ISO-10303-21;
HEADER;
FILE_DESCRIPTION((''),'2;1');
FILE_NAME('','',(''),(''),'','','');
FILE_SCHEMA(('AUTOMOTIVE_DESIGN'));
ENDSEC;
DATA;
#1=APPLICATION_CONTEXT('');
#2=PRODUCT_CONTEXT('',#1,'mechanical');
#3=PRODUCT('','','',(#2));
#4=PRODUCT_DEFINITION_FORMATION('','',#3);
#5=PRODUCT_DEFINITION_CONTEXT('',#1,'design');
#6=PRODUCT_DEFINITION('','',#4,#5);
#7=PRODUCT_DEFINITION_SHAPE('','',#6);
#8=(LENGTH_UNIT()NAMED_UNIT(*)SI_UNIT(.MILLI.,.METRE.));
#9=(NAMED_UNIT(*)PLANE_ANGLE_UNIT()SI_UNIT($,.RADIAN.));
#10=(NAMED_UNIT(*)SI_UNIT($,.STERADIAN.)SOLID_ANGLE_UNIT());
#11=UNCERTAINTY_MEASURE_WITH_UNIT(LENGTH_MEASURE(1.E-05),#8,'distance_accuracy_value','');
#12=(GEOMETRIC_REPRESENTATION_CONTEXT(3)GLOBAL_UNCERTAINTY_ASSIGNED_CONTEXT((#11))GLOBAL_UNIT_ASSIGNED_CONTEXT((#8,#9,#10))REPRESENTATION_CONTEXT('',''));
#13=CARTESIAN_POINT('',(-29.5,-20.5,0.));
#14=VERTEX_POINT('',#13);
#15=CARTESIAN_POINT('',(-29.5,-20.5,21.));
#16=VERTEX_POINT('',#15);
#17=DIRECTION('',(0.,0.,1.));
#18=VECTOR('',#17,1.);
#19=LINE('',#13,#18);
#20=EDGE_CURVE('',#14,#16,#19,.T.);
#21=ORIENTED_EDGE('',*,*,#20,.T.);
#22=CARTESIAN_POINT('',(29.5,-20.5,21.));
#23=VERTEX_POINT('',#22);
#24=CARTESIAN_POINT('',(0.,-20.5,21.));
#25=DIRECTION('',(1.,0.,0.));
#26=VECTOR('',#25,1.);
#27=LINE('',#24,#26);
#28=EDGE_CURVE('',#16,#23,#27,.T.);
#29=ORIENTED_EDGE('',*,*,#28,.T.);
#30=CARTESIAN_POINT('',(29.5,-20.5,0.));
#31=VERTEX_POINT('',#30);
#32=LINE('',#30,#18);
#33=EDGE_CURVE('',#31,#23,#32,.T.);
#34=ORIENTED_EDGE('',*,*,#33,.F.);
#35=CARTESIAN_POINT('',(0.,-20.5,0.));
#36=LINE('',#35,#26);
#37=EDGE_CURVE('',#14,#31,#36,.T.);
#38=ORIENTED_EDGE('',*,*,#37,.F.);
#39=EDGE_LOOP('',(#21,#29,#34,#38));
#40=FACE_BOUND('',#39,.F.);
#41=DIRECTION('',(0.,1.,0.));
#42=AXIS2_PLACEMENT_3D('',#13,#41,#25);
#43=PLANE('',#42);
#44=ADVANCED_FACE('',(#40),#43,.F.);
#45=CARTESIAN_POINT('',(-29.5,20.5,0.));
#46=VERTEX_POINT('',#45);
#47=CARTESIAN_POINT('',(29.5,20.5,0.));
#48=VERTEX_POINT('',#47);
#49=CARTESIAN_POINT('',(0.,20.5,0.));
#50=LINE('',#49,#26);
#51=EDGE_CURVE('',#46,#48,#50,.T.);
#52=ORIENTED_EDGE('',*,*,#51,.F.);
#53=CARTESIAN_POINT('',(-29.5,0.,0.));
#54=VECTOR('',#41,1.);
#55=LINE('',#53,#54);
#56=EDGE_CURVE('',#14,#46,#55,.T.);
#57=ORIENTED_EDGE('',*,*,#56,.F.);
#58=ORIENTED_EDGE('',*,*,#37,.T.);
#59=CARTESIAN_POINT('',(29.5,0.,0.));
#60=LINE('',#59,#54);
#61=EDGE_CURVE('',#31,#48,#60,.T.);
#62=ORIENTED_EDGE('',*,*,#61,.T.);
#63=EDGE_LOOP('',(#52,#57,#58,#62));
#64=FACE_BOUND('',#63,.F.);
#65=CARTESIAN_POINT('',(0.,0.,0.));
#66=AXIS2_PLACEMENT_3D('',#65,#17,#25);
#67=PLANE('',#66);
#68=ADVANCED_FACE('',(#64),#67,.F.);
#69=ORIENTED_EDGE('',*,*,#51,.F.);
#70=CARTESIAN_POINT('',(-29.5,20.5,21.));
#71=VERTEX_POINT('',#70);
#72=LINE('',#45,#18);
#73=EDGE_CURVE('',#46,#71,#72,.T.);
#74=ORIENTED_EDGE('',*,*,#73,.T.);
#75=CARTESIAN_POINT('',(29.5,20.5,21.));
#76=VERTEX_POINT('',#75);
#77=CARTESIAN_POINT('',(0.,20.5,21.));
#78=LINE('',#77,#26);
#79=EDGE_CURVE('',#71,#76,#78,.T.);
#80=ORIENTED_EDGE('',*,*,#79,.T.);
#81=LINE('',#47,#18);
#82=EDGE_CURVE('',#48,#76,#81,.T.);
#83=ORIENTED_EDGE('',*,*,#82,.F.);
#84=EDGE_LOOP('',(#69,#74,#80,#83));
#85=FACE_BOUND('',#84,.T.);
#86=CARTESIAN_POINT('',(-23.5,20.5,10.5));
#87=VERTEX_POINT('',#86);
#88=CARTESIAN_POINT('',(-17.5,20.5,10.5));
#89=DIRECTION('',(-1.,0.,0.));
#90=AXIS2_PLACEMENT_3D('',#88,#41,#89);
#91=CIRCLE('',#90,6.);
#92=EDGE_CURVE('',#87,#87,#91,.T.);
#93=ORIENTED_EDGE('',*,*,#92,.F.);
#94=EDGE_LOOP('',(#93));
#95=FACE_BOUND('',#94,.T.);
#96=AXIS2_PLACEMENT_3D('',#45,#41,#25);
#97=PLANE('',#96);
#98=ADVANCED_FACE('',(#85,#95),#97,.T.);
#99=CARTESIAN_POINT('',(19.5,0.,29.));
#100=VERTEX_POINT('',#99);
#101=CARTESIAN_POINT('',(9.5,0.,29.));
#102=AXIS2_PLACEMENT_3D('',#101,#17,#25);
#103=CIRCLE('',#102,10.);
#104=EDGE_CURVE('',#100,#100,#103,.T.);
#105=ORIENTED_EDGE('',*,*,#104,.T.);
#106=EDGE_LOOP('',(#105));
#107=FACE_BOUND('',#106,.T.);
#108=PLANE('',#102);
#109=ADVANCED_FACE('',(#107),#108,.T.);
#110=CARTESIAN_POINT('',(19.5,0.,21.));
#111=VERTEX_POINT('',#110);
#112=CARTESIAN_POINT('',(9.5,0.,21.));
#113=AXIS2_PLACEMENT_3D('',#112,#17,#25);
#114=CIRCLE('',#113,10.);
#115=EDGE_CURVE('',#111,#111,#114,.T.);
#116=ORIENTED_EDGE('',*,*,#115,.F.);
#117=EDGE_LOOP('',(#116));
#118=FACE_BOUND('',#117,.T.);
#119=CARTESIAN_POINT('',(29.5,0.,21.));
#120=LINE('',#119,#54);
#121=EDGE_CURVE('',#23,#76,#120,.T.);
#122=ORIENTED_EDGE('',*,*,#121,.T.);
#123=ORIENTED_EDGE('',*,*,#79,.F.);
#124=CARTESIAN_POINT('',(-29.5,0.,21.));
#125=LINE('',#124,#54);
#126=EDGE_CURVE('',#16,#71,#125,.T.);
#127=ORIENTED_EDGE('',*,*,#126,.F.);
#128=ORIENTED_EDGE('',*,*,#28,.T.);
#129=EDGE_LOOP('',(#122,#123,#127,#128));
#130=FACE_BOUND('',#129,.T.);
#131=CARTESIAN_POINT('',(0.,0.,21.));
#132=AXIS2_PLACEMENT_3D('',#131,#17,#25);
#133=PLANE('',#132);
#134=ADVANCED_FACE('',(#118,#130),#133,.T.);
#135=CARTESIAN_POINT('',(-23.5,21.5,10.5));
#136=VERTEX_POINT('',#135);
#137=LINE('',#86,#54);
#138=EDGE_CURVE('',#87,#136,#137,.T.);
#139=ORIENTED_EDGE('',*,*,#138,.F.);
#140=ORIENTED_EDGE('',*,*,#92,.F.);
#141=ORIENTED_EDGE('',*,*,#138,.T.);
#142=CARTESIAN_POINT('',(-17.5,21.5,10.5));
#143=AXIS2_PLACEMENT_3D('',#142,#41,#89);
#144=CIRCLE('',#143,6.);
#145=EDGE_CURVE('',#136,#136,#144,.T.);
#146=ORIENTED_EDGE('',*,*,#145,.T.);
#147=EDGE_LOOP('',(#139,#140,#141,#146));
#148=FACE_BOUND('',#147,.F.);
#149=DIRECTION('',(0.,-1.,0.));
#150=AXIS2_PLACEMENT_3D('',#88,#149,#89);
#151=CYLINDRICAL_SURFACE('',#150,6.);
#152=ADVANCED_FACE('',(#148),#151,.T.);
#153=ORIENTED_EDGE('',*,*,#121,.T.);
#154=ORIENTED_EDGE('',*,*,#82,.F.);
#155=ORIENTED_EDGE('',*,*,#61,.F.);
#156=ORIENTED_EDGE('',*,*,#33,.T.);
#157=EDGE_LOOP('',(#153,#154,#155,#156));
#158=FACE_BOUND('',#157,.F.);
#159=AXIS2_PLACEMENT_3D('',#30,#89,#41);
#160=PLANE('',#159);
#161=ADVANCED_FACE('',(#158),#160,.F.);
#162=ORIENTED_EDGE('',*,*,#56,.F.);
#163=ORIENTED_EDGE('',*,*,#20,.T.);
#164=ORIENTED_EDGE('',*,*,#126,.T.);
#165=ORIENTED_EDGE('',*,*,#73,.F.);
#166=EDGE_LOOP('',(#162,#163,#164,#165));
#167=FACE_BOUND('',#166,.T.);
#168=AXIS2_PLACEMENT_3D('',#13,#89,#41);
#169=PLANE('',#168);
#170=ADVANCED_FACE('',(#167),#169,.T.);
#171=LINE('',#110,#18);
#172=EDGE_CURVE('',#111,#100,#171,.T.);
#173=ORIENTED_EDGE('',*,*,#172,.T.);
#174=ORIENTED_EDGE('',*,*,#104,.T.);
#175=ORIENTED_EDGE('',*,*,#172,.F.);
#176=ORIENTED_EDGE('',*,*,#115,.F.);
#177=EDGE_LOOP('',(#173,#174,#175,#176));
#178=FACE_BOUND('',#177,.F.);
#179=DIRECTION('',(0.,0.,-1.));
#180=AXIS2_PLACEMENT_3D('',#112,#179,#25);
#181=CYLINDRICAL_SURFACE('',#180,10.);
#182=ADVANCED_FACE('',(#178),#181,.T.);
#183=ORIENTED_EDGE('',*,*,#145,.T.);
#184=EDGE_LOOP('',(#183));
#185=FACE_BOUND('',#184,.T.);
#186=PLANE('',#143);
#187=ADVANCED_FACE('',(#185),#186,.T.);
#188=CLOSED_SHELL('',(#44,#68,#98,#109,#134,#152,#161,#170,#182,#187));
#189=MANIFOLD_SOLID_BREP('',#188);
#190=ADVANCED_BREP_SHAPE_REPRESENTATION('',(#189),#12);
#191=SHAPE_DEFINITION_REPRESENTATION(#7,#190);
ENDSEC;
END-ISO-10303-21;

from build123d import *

# Parameters (mm, degrees)
F0_W     = 59
F0_H     = 41
F1_DEPTH = 21
F2_R     = 10
F3_DEPTH = 8
F4_R     = 6
F5_DEPTH = 1


with BuildPart() as f1:
    # F0 (on Top) → F1 (new body)
    with BuildSketch(Plane.XY):
        Rectangle(F0_W, F0_H)
    extrude(amount=F1_DEPTH)

    # F2 (on face) → F3 (join)
    with BuildSketch(Plane.XY.offset(21)):
        with Locations((9.5, 0)):
            Circle(F2_R)
    extrude(amount=F3_DEPTH)

    # F4 (on face) → F5 (join)
    with BuildSketch(Plane(origin=(0, 20.5, 0), x_dir=(-1, 0, 0), z_dir=(0, 1, 0))):
        with Locations((17.5, 10.5)):
            Circle(F4_R)
    extrude(amount=F5_DEPTH)


solid = f1.part
